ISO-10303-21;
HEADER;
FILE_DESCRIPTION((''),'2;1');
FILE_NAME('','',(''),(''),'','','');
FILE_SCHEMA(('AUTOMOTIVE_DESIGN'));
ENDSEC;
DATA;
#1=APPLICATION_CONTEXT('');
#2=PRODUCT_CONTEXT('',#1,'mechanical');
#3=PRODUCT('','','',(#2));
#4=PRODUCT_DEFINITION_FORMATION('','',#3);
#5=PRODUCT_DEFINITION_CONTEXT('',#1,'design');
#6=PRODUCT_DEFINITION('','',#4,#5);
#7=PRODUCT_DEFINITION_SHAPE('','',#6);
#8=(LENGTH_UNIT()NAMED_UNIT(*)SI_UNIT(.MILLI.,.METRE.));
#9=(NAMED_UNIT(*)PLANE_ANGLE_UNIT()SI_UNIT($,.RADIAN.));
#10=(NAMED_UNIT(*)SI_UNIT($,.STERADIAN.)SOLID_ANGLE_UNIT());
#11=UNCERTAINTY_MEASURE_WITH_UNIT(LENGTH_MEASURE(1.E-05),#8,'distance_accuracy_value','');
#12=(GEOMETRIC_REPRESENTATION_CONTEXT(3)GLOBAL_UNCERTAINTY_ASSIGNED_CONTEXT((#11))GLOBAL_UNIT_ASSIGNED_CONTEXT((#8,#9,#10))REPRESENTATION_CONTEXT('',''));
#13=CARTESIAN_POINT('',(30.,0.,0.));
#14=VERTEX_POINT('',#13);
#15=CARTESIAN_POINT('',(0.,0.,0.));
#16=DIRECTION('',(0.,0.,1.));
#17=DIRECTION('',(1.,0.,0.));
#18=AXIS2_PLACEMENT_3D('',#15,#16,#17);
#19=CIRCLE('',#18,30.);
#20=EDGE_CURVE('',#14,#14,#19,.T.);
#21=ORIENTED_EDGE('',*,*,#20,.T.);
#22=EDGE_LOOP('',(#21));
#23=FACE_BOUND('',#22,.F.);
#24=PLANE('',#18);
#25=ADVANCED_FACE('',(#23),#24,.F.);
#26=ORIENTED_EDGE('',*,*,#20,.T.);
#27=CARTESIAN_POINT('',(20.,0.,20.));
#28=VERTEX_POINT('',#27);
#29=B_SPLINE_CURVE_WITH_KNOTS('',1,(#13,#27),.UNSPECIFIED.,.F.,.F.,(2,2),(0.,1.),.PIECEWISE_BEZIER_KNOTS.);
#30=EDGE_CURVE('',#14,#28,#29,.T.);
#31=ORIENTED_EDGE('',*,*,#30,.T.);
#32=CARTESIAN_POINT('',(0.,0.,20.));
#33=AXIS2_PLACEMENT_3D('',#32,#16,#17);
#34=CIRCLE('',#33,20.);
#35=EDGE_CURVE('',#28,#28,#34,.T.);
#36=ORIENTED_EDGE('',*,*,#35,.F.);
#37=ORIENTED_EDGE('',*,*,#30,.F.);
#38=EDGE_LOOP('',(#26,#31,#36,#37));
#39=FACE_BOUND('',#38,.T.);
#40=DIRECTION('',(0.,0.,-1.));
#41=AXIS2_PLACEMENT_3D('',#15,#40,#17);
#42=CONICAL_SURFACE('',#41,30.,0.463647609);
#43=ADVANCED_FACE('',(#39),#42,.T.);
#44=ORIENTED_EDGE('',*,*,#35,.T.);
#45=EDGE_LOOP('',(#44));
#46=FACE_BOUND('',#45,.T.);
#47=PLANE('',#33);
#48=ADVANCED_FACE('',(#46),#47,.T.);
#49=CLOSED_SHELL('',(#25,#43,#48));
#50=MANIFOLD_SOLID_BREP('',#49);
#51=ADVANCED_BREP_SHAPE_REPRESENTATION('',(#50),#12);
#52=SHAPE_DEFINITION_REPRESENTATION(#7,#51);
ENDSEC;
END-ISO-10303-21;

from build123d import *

# Parameters (mm, degrees)
SKETCH_R    = 30
SKETCH001_R = 20


with BuildPart() as part:
    # Sketch → Loft section 0
    with BuildSketch(Plane.XY):
        Circle(SKETCH_R)
    # Sketch001 → Loft section 1
    with BuildSketch(Plane.XY.offset(20)):
        Circle(SKETCH001_R)
    loft()


solid = part.part
